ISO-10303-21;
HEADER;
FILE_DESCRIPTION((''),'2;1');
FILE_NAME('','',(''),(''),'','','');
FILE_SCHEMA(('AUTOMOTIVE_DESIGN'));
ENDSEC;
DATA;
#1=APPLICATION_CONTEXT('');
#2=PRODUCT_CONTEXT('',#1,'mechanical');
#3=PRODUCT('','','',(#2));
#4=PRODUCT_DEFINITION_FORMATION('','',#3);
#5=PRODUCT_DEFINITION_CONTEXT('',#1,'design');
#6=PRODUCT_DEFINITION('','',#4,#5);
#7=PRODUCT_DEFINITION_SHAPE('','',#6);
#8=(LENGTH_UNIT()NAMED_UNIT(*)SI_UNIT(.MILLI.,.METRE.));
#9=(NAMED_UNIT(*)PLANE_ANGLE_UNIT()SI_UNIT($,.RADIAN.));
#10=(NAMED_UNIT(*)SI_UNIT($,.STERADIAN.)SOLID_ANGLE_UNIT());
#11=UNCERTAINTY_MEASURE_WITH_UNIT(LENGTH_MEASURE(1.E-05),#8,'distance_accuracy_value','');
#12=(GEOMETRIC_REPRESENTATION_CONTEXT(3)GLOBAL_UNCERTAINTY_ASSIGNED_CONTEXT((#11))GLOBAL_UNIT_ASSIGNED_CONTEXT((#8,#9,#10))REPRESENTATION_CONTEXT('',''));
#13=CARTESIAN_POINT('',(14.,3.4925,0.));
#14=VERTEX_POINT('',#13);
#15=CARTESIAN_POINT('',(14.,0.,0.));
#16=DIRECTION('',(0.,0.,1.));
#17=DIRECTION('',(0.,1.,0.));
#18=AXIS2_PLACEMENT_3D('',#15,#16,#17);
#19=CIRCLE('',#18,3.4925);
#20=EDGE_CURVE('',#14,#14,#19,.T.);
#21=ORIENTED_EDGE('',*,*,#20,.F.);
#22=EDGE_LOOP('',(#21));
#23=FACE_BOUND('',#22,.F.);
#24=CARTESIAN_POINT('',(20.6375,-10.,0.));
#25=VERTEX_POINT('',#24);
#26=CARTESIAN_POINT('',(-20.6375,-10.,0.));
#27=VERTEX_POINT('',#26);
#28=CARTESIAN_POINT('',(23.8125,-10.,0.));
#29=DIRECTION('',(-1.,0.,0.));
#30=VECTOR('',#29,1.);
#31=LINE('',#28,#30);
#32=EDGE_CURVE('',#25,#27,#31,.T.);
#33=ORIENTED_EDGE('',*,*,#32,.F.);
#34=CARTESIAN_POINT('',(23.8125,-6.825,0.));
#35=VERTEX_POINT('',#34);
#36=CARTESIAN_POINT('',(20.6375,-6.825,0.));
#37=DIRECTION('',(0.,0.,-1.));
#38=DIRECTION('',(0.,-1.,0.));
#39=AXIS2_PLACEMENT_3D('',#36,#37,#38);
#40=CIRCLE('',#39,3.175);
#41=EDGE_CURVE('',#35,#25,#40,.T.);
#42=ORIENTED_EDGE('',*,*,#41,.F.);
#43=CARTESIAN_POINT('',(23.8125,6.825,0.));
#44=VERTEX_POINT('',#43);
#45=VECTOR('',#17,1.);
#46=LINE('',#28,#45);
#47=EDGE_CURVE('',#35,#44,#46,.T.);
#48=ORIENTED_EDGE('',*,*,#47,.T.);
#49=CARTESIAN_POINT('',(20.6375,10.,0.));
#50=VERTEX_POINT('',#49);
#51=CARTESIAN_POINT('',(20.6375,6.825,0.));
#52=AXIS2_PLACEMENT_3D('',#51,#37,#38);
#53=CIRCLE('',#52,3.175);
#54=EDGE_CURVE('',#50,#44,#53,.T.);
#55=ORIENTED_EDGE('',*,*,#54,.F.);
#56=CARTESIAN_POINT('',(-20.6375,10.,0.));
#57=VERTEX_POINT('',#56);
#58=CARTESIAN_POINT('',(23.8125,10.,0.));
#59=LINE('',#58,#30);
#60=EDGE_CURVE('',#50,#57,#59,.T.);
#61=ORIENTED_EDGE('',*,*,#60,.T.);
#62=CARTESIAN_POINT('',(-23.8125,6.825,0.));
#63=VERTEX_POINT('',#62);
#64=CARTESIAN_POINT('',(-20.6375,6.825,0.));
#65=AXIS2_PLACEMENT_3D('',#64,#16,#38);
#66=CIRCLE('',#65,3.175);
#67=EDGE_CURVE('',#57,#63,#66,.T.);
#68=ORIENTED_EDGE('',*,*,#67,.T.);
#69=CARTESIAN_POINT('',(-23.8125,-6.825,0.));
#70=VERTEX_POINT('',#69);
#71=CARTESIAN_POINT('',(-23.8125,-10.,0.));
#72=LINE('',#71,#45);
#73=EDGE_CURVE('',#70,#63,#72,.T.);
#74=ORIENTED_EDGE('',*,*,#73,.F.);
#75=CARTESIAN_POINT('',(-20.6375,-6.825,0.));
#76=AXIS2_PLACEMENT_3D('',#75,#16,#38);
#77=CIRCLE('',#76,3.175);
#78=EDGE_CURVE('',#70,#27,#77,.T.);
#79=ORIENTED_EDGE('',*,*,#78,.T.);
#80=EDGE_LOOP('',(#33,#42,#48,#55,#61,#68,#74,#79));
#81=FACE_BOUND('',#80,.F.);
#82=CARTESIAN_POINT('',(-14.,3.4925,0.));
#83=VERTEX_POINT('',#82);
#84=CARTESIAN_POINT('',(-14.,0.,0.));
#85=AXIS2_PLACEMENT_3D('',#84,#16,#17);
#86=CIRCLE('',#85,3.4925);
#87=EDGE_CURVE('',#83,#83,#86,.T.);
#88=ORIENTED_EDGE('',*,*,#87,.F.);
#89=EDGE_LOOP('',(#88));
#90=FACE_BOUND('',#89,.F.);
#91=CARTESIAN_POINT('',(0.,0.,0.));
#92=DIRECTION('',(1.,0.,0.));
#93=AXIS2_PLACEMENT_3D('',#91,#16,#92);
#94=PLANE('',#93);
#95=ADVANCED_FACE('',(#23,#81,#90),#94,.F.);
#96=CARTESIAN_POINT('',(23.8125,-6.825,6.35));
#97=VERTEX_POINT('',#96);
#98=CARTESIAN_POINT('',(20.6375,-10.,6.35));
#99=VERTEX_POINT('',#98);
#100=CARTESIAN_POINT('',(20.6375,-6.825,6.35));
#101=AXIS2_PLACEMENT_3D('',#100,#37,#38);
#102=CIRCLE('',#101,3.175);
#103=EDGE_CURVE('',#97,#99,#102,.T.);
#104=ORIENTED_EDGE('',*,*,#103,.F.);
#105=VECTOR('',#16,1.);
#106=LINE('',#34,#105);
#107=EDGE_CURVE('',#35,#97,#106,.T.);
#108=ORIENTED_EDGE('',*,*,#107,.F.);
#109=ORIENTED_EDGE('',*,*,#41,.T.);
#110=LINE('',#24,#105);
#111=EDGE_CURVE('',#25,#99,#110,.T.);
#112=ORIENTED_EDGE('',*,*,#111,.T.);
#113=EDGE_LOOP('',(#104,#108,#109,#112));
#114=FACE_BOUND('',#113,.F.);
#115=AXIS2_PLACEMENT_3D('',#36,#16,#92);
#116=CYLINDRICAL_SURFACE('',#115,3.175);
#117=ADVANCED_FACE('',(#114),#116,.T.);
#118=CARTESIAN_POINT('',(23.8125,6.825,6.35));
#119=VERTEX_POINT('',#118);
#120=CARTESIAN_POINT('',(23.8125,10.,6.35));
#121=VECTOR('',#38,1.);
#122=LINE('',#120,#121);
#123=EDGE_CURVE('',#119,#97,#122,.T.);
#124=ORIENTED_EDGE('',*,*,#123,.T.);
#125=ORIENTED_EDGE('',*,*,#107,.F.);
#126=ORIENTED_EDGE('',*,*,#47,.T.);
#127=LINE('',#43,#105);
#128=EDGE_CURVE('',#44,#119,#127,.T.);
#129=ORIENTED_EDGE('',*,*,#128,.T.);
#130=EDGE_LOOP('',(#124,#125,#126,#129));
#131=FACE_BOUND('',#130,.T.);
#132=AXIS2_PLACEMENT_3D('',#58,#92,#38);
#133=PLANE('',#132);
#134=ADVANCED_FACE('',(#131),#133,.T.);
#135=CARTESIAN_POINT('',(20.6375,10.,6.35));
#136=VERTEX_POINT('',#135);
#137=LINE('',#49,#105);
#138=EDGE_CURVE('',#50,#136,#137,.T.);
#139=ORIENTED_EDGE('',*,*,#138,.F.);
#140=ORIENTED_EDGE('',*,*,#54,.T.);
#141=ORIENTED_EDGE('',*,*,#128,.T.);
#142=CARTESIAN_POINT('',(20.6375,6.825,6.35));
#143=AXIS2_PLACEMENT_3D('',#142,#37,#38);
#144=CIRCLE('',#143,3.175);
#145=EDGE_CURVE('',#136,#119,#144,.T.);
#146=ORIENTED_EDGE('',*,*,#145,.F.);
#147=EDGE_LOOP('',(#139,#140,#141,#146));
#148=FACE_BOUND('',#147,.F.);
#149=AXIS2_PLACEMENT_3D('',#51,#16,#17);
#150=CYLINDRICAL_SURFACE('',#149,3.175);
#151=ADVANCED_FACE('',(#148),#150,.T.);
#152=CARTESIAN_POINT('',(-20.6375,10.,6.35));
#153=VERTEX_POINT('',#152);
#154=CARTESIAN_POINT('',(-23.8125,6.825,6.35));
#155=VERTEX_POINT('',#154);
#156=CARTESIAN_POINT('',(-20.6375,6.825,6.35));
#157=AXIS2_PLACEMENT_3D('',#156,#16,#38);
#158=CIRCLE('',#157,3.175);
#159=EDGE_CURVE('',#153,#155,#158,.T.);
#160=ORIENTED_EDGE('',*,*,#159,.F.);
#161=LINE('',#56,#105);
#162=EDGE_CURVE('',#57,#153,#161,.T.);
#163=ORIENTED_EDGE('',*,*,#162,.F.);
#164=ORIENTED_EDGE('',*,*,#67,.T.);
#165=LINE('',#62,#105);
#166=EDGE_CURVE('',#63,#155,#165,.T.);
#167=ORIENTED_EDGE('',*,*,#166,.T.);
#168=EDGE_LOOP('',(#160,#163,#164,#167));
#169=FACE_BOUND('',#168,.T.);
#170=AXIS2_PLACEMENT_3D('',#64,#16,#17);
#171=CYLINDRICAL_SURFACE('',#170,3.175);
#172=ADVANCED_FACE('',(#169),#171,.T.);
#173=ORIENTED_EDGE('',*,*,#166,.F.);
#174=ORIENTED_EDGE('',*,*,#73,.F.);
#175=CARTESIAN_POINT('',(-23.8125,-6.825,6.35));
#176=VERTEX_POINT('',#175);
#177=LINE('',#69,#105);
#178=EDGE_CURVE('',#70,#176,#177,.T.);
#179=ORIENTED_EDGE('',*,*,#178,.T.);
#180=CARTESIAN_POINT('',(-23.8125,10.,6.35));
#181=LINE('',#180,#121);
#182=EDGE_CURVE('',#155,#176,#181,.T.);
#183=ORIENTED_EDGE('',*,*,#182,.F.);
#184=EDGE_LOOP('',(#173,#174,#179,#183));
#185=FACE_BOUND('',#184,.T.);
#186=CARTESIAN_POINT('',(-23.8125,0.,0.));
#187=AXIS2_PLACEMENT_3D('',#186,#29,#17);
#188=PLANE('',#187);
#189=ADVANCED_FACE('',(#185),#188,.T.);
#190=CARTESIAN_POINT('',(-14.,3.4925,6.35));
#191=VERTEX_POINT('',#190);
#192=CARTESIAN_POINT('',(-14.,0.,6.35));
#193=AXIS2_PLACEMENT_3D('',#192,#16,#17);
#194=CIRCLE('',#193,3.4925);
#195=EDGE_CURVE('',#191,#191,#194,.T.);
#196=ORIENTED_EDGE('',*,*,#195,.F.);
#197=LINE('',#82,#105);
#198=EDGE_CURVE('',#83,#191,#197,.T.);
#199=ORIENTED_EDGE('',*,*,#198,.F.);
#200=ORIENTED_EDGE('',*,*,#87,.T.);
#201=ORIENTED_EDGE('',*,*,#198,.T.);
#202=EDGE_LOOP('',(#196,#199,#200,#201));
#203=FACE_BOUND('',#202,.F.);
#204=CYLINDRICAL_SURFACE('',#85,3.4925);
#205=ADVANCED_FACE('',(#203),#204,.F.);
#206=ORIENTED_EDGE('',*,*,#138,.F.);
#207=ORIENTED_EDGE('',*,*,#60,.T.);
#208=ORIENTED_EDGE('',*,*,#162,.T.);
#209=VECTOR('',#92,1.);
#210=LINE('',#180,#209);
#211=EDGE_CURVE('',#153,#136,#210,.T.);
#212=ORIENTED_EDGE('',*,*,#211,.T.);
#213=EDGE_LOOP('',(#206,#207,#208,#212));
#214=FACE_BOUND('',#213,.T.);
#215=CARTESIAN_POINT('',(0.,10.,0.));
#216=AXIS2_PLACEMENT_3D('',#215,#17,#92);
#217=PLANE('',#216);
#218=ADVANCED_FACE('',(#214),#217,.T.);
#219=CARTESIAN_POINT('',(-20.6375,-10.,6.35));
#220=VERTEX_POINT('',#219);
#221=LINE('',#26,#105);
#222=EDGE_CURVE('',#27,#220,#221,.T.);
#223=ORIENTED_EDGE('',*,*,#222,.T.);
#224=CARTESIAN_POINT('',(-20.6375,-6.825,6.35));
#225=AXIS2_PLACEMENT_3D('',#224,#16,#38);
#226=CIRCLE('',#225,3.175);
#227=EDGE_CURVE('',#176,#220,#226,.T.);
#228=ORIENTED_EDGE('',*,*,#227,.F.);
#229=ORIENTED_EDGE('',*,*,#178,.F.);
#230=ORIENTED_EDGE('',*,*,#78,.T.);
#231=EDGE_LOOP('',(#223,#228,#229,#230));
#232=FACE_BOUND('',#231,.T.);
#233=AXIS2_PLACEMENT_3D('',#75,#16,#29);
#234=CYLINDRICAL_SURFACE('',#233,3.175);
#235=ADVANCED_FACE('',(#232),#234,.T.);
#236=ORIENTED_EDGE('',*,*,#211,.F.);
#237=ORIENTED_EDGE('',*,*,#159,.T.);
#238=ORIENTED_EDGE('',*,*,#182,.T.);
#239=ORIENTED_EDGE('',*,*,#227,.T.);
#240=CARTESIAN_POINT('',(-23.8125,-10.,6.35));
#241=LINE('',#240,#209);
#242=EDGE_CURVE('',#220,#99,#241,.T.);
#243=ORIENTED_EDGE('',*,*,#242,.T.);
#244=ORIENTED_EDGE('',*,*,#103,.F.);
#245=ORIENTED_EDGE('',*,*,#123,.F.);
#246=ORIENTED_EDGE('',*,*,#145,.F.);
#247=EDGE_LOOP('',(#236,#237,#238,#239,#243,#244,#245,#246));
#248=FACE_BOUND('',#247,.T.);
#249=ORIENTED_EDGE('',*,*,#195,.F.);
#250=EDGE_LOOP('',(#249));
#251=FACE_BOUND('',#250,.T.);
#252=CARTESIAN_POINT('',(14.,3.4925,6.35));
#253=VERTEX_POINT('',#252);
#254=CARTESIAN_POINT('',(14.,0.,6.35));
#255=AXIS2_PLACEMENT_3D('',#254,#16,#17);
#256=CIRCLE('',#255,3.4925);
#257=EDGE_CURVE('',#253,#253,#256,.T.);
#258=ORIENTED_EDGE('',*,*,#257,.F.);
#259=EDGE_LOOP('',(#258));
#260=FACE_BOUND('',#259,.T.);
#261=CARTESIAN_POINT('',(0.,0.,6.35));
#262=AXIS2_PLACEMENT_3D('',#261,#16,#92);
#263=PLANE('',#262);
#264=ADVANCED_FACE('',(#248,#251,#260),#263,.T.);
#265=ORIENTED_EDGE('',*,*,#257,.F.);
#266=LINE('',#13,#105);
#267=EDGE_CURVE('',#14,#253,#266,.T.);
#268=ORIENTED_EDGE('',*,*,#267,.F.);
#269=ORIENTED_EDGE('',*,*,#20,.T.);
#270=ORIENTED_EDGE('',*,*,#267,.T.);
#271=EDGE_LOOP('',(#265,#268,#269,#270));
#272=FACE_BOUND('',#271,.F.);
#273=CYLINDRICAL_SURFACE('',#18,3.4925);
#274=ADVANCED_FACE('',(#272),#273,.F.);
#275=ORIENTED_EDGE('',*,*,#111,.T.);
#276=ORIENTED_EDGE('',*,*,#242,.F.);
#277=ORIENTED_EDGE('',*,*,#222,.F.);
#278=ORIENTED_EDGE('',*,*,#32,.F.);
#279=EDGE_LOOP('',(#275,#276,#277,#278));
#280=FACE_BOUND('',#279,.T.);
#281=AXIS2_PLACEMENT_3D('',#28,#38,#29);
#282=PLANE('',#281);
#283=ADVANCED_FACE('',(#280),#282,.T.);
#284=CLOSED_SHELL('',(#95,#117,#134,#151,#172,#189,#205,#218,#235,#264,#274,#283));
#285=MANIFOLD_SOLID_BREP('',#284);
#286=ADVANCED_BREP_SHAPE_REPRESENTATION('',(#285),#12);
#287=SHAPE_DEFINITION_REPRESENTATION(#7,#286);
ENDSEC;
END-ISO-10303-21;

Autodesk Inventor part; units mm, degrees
ref_plane "YZ Plane" through (0, 0, 0) normal (1, 0, 0) x (0, 1, 0)
ref_plane "XZ Plane" through (0, 0, 0) normal (0, 1, 0) x (-1, 0, 0)
ref_plane "XY Plane" through (0, 0, 0) normal (0, 0, 1) x (1, 0, 0)
sketch "Sketch1" plane through (0, 0, 0) normal (0, 0, 1) x (1, 0, 0)
  line L0 (0, 14) -> (0, -14) projected
  line L1 (-33.3375, 0) -> (33.3375, 0) projected
  line L2 (23.8125, -10) -> (-23.8125, -10)
  line L3 (-23.8125, -10) -> (-23.8125, 10)
  line L4 (-23.8125, 10) -> (23.8125, 10)
  line L5 (23.8125, 10) -> (23.8125, -10)
  line L6 (23.8125, -10) -> (-23.8125, 10) construction
  line L7 (-23.8125, -10) -> (23.8125, 10) construction
  point P0 (0, 0)
  point P1 (-14, 0)
  point P2 (14, 0)
  dimension "d0" = 47.625
  dimension "d1" = 14
  dimension "d2" = 14
  dimension "d3" = 20
extrude "Extrusion1" add sketch "Sketch1" along normal blind 6.35
hole "Hole1" at (-14, 0, 0) at (14, 0, 0) direction (0, 0, 1) diameter 6.985 end through all
fillet "Fillet1" radius 3.175 4 edges at (23.8125, 10, 3.175) (23.8125, -10, 3.175) (-23.8125, -10, 3.175) (-23.8125, 10, 3.175)
